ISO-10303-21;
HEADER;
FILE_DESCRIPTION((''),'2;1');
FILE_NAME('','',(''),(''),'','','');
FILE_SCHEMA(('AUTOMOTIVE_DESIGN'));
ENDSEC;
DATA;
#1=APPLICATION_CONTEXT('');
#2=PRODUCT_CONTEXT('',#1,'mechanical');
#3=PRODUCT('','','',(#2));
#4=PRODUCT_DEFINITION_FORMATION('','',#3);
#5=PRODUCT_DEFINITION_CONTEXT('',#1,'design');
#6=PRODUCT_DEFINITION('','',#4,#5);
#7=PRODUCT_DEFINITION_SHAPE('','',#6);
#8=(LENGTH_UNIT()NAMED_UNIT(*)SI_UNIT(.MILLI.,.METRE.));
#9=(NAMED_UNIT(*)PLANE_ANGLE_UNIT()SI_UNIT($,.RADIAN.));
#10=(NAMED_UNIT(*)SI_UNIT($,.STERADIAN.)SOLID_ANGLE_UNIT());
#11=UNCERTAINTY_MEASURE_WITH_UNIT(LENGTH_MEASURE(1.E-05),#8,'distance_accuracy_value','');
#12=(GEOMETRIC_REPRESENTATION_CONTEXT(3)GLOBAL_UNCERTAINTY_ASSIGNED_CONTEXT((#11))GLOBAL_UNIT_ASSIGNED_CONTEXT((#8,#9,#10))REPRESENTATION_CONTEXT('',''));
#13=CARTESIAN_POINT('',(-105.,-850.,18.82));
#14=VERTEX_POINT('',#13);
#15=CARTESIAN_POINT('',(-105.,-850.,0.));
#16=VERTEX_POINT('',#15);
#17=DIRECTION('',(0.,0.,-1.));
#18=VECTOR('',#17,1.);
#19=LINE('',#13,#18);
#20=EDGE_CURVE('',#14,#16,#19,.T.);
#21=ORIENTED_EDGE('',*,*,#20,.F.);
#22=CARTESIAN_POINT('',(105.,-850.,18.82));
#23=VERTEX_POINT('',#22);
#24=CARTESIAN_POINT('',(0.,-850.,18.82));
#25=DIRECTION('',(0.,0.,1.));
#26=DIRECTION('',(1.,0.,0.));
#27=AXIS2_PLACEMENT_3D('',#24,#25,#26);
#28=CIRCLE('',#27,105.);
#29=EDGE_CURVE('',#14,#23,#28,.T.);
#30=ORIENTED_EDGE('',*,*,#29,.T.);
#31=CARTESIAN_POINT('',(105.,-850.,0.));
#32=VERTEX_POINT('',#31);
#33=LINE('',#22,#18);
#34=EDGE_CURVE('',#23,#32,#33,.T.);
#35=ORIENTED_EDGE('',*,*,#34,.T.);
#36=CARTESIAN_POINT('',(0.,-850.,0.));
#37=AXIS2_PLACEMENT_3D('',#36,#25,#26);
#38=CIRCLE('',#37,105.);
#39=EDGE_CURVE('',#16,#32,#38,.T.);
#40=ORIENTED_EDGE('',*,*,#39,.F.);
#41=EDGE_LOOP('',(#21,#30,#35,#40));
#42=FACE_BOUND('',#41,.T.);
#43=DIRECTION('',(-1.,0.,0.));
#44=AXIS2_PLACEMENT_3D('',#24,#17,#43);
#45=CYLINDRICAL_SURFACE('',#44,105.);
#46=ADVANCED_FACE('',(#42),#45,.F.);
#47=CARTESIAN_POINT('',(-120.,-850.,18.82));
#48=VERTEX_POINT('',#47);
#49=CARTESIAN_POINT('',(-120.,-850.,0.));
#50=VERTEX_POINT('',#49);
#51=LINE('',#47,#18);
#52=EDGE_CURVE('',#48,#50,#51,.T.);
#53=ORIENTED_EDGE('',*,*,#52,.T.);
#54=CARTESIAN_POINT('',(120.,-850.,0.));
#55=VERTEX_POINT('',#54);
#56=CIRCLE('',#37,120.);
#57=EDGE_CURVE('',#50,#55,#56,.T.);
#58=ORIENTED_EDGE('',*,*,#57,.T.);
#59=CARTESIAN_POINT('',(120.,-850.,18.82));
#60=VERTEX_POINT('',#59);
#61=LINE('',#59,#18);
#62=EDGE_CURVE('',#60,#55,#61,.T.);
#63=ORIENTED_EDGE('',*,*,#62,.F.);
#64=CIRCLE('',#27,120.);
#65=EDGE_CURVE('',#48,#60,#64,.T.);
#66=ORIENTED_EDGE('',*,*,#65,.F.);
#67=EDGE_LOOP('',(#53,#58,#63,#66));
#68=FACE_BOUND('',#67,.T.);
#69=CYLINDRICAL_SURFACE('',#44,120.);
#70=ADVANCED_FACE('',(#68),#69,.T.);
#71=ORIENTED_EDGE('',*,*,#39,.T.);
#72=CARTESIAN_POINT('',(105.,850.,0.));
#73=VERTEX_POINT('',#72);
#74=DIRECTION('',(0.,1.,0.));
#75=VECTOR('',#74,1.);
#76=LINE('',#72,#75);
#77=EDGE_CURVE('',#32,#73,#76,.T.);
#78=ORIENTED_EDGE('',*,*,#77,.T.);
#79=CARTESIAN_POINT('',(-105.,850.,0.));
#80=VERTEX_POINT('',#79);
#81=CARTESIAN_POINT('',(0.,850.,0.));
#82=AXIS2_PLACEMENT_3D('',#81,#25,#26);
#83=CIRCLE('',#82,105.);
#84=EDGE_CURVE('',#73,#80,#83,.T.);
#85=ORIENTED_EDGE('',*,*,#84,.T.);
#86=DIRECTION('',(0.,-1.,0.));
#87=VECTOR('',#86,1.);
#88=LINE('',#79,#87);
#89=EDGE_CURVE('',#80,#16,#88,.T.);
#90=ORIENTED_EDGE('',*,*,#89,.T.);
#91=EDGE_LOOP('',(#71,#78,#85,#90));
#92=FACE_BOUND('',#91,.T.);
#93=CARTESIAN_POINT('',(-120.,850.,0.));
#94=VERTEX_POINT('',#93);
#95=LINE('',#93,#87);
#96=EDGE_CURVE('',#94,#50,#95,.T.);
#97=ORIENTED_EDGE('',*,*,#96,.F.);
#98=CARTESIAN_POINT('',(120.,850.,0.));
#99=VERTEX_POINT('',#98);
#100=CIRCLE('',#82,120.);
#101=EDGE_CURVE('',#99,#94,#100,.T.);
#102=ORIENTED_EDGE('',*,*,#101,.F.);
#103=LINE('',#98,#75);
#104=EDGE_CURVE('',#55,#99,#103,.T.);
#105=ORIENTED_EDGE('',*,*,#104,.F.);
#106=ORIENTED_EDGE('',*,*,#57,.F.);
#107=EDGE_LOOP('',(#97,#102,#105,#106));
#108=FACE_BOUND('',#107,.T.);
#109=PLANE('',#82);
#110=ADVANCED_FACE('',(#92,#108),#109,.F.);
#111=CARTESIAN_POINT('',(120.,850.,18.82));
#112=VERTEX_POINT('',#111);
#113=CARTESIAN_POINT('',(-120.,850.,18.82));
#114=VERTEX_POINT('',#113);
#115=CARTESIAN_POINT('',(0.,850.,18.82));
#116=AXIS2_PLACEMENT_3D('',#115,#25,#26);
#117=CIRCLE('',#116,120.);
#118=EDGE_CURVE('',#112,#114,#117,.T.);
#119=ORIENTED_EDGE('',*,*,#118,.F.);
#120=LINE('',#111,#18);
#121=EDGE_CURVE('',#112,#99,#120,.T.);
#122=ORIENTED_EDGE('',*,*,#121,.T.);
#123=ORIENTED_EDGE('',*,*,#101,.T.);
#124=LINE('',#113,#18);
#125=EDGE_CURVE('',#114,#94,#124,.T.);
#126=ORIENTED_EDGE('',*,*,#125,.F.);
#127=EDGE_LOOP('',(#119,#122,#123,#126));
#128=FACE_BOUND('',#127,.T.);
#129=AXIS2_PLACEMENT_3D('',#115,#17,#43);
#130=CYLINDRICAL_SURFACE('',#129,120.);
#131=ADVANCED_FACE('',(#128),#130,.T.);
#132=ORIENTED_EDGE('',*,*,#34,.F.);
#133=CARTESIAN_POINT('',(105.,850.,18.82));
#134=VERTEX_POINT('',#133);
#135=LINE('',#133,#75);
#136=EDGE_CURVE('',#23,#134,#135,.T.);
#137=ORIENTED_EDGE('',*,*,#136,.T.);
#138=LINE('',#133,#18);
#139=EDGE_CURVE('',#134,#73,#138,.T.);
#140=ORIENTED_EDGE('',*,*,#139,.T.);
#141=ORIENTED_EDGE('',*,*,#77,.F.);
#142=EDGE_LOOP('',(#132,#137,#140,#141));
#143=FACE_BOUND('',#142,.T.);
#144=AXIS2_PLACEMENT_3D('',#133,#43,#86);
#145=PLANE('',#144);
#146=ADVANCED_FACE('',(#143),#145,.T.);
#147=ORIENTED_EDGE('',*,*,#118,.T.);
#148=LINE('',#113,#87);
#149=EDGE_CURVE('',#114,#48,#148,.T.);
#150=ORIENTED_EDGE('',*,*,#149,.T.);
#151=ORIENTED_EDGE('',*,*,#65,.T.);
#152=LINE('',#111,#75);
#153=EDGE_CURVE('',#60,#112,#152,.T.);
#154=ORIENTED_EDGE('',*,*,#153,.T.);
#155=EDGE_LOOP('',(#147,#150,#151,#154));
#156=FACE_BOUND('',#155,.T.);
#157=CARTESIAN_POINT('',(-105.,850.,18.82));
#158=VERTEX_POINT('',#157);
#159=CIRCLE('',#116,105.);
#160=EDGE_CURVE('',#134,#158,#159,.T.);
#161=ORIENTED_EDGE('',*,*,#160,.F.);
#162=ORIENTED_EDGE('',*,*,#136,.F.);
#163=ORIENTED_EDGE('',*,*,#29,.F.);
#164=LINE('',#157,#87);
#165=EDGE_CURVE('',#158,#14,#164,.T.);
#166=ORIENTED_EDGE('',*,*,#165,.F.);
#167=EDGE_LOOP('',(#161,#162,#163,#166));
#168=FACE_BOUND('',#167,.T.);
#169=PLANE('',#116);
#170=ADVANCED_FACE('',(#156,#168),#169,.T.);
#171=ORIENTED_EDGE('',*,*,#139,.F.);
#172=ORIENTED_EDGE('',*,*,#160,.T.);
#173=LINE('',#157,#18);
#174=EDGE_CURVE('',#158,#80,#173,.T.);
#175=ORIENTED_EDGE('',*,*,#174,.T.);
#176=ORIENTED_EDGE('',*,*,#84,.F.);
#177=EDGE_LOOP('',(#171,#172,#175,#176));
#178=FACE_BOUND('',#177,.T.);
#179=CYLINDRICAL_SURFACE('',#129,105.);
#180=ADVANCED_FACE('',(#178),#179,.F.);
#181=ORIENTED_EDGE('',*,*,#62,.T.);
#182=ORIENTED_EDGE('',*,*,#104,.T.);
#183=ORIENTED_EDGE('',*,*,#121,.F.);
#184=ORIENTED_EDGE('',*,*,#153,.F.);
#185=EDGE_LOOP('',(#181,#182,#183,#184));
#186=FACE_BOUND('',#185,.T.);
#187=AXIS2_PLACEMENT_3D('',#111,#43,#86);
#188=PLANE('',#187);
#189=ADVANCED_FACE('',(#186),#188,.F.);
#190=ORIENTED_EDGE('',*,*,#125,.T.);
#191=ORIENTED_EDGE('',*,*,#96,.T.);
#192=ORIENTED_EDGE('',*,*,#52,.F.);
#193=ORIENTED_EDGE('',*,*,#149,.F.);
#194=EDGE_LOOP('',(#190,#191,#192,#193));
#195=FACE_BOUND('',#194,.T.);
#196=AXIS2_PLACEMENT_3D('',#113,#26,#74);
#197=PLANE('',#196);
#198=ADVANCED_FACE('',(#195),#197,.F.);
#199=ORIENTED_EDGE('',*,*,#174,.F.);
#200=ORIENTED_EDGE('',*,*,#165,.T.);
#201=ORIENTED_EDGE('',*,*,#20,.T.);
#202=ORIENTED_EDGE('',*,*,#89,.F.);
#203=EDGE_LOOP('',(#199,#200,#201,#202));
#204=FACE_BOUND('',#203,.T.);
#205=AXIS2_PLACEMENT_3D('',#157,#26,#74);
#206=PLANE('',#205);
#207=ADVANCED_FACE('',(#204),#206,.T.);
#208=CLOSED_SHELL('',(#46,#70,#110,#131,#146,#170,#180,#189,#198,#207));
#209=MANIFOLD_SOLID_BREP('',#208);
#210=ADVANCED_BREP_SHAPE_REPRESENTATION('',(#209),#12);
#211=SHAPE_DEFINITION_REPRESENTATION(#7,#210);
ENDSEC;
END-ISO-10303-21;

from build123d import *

# Parameters (mm, degrees)
BOSS_EXTRUDE1_DEPTH = 18.82


with BuildPart() as part:
    # Sketch1 → Boss-Extrude1 (new body)
    with BuildSketch(Plane.XY):
        with BuildLine():
            Line((120, 850), (120, -850))
            ThreePointArc((120, -850), (0, -970), (-120, -850))
            Line((-120, -850), (-120, 850))
            ThreePointArc((-120, 850), (0, 970), (120, 850))
        make_face()
        with BuildLine():
            Line((105, 850), (105, -850))
            ThreePointArc((105, -850), (0, -955), (-105, -850))
            Line((-105, -850), (-105, 850))
            ThreePointArc((-105, 850), (0, 955), (105, 850))
        make_face(mode=Mode.SUBTRACT)
    extrude(amount=BOSS_EXTRUDE1_DEPTH)


solid = part.part
